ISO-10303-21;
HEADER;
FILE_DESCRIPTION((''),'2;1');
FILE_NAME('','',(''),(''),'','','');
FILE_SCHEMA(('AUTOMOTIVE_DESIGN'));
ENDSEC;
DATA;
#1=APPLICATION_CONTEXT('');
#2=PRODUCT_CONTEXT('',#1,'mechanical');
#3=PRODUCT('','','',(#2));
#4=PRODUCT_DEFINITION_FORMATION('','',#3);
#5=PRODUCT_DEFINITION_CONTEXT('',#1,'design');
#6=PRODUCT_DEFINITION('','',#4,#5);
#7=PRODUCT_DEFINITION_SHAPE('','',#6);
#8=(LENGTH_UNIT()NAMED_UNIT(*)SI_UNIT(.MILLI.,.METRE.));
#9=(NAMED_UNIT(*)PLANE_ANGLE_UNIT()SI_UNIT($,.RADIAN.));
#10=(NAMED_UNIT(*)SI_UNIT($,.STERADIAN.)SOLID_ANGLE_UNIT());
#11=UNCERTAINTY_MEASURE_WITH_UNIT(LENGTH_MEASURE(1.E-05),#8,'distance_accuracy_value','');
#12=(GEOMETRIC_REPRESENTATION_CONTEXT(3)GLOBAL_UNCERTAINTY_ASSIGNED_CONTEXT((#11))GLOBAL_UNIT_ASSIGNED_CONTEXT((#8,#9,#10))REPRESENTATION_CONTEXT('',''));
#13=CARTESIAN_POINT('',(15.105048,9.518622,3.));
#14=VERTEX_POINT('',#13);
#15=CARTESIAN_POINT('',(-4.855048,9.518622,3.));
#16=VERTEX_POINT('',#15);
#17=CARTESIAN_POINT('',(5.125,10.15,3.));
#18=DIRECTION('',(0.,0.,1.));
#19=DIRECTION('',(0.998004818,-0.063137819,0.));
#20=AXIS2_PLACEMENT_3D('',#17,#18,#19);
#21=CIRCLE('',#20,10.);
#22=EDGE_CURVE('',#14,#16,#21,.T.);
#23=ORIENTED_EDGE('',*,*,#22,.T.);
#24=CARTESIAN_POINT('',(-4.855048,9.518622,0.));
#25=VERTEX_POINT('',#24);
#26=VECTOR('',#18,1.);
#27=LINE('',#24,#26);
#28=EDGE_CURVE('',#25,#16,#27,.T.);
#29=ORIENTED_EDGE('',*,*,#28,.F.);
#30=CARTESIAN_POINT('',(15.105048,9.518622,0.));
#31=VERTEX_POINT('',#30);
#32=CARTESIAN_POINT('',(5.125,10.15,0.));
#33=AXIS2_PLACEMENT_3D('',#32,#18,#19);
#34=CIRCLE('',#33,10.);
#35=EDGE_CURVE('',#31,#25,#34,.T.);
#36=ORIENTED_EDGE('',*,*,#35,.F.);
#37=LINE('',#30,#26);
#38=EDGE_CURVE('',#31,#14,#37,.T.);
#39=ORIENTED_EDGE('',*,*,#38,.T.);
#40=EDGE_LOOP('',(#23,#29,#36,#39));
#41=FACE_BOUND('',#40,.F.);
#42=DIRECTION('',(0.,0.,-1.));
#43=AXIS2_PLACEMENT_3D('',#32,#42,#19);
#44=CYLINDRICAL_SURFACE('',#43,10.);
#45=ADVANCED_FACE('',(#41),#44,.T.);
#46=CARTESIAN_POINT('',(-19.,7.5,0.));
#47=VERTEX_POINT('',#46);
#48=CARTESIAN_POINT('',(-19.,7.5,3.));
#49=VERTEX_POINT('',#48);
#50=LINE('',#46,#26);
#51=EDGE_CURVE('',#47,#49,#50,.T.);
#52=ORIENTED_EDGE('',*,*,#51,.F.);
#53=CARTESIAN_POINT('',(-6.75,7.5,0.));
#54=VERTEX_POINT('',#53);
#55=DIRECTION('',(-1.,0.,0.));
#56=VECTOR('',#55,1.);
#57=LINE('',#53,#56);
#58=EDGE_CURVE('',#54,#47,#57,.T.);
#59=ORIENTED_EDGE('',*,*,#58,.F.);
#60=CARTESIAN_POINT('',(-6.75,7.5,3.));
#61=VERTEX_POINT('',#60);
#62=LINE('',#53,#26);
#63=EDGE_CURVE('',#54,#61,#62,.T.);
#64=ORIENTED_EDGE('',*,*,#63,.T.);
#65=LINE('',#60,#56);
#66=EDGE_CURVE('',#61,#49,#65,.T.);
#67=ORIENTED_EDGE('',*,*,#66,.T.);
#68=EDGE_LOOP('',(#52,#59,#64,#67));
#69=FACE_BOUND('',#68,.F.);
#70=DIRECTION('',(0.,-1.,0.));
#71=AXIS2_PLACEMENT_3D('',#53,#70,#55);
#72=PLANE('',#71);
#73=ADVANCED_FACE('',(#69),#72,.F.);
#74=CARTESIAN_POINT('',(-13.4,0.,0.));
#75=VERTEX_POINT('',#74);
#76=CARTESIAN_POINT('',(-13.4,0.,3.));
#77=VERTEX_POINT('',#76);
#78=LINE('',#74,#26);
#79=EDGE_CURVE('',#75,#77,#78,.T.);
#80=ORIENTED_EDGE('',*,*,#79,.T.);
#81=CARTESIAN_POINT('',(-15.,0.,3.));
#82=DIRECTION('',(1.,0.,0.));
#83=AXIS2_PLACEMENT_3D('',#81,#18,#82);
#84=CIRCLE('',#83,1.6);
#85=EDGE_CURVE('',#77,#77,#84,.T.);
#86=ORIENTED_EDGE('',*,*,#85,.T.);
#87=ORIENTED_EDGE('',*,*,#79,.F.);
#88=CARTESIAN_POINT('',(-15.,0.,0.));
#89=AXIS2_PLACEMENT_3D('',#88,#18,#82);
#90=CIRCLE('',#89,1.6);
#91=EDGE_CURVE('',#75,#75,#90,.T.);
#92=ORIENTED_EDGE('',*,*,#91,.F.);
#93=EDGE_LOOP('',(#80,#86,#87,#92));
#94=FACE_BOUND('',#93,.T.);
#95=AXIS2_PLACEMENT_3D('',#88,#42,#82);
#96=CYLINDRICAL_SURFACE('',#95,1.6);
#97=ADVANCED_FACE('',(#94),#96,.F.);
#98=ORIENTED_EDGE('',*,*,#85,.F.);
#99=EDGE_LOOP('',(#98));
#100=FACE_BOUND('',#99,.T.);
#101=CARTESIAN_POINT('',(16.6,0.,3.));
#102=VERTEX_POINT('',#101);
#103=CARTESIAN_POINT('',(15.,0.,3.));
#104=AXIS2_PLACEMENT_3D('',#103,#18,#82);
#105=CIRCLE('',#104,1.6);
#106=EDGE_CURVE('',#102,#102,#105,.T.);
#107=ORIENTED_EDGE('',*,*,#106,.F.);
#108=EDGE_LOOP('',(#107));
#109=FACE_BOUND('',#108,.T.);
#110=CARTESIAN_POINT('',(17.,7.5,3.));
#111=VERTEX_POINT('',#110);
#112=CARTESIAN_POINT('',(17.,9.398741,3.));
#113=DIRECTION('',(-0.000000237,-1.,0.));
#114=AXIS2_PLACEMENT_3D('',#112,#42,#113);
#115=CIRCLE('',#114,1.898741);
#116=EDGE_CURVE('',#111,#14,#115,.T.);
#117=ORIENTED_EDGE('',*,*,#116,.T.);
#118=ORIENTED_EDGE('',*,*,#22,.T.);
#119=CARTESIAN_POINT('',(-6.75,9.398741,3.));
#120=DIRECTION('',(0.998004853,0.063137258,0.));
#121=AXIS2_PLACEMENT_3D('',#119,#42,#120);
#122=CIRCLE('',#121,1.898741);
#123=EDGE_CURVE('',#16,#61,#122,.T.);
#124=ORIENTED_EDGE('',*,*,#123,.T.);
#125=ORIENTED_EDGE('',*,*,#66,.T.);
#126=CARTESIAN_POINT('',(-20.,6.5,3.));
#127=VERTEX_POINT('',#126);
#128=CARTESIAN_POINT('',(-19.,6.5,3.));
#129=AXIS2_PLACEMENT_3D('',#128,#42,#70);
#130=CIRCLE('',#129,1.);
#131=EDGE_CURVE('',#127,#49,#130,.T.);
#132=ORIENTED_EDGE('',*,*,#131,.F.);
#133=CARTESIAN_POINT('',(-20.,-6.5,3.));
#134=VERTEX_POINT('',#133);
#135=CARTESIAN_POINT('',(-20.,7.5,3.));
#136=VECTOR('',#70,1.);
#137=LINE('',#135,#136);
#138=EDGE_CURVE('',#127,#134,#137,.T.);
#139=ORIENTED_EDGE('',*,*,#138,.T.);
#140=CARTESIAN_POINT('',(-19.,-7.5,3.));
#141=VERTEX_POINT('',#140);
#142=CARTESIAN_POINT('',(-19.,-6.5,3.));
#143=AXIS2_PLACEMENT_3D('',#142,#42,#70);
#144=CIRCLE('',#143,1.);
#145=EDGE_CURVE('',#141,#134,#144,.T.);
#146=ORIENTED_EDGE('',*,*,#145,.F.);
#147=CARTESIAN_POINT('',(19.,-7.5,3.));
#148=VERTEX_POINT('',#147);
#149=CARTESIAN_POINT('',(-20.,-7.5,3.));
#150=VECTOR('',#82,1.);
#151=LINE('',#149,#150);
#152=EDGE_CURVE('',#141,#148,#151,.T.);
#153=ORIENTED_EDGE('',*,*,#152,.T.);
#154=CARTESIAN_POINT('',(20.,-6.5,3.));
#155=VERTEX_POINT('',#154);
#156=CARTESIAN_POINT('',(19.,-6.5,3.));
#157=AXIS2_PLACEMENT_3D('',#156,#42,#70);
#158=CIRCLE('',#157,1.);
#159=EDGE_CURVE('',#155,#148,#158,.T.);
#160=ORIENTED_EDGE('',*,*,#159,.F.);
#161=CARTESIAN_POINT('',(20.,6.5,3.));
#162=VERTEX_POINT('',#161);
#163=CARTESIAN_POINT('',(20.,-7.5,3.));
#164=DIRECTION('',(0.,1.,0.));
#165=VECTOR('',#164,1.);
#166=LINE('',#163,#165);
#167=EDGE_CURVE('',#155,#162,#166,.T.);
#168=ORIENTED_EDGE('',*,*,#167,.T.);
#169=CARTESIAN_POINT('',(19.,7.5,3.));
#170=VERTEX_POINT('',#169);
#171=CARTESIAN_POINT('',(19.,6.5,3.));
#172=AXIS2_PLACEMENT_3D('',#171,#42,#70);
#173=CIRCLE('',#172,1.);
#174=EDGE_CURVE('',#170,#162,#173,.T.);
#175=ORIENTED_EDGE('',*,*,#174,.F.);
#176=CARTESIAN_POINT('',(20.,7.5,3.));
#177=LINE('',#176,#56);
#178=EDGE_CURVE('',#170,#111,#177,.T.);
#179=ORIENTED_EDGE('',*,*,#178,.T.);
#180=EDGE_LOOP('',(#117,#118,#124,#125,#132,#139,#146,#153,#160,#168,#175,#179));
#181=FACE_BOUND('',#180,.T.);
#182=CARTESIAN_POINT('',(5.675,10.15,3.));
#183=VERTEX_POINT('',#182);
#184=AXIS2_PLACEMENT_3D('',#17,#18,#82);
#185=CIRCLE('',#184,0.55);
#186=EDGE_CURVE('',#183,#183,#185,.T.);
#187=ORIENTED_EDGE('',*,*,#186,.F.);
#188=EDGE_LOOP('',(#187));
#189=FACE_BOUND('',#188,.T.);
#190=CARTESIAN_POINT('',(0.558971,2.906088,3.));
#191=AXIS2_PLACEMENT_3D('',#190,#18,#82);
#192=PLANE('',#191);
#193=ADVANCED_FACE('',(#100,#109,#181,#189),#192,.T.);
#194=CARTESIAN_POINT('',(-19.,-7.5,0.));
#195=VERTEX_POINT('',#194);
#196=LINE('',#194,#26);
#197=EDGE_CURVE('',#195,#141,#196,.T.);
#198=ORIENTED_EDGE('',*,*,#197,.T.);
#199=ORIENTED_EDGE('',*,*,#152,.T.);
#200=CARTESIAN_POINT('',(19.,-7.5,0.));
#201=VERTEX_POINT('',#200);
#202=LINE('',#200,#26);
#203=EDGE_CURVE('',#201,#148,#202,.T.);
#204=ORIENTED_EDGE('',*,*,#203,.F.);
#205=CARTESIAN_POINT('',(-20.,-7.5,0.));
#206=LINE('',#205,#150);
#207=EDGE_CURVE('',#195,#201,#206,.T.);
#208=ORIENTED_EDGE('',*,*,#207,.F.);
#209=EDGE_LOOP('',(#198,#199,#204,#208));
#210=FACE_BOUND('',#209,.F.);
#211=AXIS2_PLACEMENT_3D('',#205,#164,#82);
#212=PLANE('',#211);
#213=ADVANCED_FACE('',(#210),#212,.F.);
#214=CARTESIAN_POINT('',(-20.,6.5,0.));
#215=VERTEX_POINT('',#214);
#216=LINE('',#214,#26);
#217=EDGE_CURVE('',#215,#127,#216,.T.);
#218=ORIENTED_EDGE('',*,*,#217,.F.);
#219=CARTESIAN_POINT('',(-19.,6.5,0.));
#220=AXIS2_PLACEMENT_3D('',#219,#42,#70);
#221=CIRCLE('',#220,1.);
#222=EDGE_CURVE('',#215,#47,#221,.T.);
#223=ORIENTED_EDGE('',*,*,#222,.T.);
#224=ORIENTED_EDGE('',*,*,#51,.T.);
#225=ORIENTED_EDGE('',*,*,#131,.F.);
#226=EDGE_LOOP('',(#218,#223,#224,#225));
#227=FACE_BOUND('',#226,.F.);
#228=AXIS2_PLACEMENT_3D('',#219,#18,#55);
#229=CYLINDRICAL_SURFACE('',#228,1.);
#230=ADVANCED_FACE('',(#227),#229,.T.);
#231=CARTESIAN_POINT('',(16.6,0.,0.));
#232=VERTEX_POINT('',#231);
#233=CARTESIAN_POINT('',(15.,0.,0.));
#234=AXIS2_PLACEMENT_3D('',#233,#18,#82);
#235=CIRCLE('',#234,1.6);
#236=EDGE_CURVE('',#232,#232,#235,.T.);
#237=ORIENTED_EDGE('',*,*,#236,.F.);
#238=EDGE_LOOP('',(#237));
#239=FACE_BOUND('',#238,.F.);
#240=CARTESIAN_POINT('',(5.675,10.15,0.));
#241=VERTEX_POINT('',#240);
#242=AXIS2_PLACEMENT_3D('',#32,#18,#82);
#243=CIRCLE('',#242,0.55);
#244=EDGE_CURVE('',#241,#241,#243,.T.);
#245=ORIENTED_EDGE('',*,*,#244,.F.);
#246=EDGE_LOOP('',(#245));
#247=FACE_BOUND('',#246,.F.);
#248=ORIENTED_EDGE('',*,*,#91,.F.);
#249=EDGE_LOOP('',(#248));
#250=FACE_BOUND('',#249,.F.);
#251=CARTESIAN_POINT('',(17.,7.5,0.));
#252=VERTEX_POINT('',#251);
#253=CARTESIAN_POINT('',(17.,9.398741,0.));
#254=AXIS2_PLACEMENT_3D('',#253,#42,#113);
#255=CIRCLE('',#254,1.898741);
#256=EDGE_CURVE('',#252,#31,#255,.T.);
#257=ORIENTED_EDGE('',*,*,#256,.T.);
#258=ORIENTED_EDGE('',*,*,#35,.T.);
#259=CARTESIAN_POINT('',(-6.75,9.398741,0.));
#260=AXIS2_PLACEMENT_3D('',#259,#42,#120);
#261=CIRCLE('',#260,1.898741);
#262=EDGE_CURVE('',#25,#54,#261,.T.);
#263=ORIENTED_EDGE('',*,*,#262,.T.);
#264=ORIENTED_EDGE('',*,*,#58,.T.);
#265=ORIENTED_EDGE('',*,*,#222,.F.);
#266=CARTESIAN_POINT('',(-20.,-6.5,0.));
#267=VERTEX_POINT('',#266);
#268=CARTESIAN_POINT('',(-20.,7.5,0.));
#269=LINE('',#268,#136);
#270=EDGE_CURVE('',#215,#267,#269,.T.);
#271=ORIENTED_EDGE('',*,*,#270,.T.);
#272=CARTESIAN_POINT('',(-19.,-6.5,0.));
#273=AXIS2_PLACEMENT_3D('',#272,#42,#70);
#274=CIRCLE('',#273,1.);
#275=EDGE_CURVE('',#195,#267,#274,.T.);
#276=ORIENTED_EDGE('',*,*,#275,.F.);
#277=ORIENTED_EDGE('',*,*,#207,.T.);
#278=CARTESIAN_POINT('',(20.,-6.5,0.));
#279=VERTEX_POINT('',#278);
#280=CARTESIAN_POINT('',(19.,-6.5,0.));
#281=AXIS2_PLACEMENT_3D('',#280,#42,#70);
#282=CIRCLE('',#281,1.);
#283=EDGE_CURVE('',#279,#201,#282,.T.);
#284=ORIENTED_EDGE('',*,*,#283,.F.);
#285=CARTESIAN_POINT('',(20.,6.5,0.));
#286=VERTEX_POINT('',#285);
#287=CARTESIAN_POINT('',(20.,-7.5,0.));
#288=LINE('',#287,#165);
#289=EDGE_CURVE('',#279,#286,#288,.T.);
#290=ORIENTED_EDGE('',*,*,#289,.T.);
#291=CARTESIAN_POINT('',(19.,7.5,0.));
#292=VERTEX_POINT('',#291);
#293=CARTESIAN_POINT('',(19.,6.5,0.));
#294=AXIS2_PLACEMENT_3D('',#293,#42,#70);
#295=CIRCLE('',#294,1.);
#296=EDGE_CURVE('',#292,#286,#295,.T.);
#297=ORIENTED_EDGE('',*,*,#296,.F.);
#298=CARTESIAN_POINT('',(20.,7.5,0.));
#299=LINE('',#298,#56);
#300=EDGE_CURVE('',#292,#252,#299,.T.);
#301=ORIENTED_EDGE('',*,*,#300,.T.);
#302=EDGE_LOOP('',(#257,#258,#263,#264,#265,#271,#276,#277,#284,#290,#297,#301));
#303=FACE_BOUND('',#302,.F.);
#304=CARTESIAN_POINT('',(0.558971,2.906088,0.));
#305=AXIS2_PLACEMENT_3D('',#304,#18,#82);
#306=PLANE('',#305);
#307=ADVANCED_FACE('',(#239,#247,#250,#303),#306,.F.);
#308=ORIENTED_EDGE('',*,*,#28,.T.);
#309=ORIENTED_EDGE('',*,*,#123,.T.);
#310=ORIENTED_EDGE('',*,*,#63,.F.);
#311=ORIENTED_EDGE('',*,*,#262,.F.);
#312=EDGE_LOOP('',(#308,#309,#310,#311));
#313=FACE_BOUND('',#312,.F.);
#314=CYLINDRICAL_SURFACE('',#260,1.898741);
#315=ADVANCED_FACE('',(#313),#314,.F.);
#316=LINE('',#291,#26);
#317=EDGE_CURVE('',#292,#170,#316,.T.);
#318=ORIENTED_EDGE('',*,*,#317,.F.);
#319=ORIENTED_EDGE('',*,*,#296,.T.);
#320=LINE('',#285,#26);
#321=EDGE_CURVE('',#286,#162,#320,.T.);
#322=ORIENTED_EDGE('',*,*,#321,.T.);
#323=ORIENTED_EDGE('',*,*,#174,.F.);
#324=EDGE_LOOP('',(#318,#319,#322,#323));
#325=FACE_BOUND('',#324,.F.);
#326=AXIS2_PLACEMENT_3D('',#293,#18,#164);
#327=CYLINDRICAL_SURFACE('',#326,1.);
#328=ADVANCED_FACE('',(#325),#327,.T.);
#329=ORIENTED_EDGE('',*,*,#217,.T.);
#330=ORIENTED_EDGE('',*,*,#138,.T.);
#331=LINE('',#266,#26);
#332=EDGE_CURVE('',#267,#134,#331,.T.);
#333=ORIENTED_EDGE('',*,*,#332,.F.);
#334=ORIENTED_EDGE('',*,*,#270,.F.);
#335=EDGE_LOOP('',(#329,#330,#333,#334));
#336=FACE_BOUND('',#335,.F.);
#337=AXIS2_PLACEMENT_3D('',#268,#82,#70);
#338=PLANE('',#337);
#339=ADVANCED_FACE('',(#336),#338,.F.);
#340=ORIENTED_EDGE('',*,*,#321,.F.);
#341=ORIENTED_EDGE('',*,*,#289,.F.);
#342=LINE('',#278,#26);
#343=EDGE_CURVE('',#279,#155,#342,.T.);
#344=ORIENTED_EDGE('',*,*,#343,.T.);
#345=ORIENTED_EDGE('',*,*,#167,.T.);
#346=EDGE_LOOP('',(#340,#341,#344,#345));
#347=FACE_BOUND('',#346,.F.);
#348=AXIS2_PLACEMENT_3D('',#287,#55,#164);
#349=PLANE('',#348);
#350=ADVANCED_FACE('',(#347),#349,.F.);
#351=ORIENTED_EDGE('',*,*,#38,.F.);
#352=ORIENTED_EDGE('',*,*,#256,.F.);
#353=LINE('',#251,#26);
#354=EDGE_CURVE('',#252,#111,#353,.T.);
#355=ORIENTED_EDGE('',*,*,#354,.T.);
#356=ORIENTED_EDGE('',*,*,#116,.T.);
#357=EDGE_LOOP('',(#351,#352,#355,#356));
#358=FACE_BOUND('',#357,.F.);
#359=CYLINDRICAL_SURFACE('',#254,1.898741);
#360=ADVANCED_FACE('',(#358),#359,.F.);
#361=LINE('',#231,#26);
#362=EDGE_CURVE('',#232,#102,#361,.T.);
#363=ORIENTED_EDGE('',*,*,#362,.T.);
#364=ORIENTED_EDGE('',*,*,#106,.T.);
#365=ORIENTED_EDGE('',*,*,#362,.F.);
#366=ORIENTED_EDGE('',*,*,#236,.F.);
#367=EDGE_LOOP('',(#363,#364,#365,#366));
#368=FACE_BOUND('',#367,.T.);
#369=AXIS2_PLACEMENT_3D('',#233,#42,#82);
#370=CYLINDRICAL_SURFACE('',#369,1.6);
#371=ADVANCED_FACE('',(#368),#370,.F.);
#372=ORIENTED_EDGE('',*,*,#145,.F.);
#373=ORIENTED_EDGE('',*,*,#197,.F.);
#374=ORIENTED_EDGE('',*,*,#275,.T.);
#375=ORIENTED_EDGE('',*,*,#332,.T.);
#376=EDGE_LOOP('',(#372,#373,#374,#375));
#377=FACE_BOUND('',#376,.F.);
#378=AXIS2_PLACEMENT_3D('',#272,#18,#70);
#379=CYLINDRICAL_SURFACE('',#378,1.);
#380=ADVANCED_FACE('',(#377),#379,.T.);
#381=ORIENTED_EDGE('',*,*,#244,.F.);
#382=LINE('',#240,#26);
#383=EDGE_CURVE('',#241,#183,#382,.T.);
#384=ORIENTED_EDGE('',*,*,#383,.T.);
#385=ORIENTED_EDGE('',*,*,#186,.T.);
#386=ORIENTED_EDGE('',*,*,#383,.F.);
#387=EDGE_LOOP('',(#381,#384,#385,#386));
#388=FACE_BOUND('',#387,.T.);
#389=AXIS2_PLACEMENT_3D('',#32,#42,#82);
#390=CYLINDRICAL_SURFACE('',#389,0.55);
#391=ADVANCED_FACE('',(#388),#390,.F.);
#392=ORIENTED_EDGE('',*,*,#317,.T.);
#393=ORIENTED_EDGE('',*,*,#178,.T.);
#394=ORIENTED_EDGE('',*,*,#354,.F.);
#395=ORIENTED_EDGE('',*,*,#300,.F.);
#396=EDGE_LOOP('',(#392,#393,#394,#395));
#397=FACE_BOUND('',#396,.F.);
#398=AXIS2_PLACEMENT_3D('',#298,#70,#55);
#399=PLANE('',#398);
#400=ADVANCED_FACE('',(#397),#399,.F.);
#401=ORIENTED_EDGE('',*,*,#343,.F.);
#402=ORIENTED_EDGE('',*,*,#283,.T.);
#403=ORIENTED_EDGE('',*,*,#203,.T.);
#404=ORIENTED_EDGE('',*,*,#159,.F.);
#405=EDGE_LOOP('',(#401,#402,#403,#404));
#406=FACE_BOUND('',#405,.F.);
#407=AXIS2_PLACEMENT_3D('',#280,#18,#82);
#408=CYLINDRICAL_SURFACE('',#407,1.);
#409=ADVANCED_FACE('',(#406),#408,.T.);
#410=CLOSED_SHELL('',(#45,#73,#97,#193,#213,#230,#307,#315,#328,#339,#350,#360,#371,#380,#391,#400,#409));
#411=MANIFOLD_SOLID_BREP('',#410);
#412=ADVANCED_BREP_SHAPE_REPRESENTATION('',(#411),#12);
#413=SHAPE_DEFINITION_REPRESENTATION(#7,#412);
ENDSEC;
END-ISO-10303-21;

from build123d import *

# Parameters (mm, degrees)
F0_R     = 1.6
F0_R_2   = 0.55
F1_DEPTH = 3
F2_R     = 1


with BuildPart() as f1:
    # F0 (on Top) → F1 (new body)
    with BuildSketch(Plane.XY):
        with BuildLine():
            Line((20, 0), (20, 7.5))
            Line((20, 7.5), (17, 7.5))
            ThreePointArc((17, 7.5), (15.615652, 8.099204), (15.105048, 9.518622))
            ThreePointArc((15.105048, 9.518622), (5.125, 20.15), (-4.855048, 9.518622))
            ThreePointArc((-4.855048, 9.518622), (-5.365652, 8.099204), (-6.75, 7.5))
            Line((-6.75, 7.5), (-20, 7.5))
            Line((-20, 7.5), (-20, 0))
            Line((-20, 0), (-20, -7.5))
            Line((-20, -7.5), (20, -7.5))
            Line((20, -7.5), (20, 0))
        make_face()
        with Locations((-15, 0)):
            Circle(F0_R, mode=Mode.SUBTRACT)
        with Locations((15, 0)):
            Circle(F0_R, mode=Mode.SUBTRACT)
        with Locations((5.125, 10.15)):
            Circle(F0_R_2, mode=Mode.SUBTRACT)
    extrude(amount=F1_DEPTH)

    # F2
    f2_edges = [f1.edges().sort_by_distance(p)[0] for p in [
        (20, -7.5, 1.5),
        (20, 7.5, 1.5),
        (-20, -7.5, 1.5),
        (-20, 7.5, 1.5),
    ]]
    fillet(f2_edges, radius=F2_R)


solid = f1.part
